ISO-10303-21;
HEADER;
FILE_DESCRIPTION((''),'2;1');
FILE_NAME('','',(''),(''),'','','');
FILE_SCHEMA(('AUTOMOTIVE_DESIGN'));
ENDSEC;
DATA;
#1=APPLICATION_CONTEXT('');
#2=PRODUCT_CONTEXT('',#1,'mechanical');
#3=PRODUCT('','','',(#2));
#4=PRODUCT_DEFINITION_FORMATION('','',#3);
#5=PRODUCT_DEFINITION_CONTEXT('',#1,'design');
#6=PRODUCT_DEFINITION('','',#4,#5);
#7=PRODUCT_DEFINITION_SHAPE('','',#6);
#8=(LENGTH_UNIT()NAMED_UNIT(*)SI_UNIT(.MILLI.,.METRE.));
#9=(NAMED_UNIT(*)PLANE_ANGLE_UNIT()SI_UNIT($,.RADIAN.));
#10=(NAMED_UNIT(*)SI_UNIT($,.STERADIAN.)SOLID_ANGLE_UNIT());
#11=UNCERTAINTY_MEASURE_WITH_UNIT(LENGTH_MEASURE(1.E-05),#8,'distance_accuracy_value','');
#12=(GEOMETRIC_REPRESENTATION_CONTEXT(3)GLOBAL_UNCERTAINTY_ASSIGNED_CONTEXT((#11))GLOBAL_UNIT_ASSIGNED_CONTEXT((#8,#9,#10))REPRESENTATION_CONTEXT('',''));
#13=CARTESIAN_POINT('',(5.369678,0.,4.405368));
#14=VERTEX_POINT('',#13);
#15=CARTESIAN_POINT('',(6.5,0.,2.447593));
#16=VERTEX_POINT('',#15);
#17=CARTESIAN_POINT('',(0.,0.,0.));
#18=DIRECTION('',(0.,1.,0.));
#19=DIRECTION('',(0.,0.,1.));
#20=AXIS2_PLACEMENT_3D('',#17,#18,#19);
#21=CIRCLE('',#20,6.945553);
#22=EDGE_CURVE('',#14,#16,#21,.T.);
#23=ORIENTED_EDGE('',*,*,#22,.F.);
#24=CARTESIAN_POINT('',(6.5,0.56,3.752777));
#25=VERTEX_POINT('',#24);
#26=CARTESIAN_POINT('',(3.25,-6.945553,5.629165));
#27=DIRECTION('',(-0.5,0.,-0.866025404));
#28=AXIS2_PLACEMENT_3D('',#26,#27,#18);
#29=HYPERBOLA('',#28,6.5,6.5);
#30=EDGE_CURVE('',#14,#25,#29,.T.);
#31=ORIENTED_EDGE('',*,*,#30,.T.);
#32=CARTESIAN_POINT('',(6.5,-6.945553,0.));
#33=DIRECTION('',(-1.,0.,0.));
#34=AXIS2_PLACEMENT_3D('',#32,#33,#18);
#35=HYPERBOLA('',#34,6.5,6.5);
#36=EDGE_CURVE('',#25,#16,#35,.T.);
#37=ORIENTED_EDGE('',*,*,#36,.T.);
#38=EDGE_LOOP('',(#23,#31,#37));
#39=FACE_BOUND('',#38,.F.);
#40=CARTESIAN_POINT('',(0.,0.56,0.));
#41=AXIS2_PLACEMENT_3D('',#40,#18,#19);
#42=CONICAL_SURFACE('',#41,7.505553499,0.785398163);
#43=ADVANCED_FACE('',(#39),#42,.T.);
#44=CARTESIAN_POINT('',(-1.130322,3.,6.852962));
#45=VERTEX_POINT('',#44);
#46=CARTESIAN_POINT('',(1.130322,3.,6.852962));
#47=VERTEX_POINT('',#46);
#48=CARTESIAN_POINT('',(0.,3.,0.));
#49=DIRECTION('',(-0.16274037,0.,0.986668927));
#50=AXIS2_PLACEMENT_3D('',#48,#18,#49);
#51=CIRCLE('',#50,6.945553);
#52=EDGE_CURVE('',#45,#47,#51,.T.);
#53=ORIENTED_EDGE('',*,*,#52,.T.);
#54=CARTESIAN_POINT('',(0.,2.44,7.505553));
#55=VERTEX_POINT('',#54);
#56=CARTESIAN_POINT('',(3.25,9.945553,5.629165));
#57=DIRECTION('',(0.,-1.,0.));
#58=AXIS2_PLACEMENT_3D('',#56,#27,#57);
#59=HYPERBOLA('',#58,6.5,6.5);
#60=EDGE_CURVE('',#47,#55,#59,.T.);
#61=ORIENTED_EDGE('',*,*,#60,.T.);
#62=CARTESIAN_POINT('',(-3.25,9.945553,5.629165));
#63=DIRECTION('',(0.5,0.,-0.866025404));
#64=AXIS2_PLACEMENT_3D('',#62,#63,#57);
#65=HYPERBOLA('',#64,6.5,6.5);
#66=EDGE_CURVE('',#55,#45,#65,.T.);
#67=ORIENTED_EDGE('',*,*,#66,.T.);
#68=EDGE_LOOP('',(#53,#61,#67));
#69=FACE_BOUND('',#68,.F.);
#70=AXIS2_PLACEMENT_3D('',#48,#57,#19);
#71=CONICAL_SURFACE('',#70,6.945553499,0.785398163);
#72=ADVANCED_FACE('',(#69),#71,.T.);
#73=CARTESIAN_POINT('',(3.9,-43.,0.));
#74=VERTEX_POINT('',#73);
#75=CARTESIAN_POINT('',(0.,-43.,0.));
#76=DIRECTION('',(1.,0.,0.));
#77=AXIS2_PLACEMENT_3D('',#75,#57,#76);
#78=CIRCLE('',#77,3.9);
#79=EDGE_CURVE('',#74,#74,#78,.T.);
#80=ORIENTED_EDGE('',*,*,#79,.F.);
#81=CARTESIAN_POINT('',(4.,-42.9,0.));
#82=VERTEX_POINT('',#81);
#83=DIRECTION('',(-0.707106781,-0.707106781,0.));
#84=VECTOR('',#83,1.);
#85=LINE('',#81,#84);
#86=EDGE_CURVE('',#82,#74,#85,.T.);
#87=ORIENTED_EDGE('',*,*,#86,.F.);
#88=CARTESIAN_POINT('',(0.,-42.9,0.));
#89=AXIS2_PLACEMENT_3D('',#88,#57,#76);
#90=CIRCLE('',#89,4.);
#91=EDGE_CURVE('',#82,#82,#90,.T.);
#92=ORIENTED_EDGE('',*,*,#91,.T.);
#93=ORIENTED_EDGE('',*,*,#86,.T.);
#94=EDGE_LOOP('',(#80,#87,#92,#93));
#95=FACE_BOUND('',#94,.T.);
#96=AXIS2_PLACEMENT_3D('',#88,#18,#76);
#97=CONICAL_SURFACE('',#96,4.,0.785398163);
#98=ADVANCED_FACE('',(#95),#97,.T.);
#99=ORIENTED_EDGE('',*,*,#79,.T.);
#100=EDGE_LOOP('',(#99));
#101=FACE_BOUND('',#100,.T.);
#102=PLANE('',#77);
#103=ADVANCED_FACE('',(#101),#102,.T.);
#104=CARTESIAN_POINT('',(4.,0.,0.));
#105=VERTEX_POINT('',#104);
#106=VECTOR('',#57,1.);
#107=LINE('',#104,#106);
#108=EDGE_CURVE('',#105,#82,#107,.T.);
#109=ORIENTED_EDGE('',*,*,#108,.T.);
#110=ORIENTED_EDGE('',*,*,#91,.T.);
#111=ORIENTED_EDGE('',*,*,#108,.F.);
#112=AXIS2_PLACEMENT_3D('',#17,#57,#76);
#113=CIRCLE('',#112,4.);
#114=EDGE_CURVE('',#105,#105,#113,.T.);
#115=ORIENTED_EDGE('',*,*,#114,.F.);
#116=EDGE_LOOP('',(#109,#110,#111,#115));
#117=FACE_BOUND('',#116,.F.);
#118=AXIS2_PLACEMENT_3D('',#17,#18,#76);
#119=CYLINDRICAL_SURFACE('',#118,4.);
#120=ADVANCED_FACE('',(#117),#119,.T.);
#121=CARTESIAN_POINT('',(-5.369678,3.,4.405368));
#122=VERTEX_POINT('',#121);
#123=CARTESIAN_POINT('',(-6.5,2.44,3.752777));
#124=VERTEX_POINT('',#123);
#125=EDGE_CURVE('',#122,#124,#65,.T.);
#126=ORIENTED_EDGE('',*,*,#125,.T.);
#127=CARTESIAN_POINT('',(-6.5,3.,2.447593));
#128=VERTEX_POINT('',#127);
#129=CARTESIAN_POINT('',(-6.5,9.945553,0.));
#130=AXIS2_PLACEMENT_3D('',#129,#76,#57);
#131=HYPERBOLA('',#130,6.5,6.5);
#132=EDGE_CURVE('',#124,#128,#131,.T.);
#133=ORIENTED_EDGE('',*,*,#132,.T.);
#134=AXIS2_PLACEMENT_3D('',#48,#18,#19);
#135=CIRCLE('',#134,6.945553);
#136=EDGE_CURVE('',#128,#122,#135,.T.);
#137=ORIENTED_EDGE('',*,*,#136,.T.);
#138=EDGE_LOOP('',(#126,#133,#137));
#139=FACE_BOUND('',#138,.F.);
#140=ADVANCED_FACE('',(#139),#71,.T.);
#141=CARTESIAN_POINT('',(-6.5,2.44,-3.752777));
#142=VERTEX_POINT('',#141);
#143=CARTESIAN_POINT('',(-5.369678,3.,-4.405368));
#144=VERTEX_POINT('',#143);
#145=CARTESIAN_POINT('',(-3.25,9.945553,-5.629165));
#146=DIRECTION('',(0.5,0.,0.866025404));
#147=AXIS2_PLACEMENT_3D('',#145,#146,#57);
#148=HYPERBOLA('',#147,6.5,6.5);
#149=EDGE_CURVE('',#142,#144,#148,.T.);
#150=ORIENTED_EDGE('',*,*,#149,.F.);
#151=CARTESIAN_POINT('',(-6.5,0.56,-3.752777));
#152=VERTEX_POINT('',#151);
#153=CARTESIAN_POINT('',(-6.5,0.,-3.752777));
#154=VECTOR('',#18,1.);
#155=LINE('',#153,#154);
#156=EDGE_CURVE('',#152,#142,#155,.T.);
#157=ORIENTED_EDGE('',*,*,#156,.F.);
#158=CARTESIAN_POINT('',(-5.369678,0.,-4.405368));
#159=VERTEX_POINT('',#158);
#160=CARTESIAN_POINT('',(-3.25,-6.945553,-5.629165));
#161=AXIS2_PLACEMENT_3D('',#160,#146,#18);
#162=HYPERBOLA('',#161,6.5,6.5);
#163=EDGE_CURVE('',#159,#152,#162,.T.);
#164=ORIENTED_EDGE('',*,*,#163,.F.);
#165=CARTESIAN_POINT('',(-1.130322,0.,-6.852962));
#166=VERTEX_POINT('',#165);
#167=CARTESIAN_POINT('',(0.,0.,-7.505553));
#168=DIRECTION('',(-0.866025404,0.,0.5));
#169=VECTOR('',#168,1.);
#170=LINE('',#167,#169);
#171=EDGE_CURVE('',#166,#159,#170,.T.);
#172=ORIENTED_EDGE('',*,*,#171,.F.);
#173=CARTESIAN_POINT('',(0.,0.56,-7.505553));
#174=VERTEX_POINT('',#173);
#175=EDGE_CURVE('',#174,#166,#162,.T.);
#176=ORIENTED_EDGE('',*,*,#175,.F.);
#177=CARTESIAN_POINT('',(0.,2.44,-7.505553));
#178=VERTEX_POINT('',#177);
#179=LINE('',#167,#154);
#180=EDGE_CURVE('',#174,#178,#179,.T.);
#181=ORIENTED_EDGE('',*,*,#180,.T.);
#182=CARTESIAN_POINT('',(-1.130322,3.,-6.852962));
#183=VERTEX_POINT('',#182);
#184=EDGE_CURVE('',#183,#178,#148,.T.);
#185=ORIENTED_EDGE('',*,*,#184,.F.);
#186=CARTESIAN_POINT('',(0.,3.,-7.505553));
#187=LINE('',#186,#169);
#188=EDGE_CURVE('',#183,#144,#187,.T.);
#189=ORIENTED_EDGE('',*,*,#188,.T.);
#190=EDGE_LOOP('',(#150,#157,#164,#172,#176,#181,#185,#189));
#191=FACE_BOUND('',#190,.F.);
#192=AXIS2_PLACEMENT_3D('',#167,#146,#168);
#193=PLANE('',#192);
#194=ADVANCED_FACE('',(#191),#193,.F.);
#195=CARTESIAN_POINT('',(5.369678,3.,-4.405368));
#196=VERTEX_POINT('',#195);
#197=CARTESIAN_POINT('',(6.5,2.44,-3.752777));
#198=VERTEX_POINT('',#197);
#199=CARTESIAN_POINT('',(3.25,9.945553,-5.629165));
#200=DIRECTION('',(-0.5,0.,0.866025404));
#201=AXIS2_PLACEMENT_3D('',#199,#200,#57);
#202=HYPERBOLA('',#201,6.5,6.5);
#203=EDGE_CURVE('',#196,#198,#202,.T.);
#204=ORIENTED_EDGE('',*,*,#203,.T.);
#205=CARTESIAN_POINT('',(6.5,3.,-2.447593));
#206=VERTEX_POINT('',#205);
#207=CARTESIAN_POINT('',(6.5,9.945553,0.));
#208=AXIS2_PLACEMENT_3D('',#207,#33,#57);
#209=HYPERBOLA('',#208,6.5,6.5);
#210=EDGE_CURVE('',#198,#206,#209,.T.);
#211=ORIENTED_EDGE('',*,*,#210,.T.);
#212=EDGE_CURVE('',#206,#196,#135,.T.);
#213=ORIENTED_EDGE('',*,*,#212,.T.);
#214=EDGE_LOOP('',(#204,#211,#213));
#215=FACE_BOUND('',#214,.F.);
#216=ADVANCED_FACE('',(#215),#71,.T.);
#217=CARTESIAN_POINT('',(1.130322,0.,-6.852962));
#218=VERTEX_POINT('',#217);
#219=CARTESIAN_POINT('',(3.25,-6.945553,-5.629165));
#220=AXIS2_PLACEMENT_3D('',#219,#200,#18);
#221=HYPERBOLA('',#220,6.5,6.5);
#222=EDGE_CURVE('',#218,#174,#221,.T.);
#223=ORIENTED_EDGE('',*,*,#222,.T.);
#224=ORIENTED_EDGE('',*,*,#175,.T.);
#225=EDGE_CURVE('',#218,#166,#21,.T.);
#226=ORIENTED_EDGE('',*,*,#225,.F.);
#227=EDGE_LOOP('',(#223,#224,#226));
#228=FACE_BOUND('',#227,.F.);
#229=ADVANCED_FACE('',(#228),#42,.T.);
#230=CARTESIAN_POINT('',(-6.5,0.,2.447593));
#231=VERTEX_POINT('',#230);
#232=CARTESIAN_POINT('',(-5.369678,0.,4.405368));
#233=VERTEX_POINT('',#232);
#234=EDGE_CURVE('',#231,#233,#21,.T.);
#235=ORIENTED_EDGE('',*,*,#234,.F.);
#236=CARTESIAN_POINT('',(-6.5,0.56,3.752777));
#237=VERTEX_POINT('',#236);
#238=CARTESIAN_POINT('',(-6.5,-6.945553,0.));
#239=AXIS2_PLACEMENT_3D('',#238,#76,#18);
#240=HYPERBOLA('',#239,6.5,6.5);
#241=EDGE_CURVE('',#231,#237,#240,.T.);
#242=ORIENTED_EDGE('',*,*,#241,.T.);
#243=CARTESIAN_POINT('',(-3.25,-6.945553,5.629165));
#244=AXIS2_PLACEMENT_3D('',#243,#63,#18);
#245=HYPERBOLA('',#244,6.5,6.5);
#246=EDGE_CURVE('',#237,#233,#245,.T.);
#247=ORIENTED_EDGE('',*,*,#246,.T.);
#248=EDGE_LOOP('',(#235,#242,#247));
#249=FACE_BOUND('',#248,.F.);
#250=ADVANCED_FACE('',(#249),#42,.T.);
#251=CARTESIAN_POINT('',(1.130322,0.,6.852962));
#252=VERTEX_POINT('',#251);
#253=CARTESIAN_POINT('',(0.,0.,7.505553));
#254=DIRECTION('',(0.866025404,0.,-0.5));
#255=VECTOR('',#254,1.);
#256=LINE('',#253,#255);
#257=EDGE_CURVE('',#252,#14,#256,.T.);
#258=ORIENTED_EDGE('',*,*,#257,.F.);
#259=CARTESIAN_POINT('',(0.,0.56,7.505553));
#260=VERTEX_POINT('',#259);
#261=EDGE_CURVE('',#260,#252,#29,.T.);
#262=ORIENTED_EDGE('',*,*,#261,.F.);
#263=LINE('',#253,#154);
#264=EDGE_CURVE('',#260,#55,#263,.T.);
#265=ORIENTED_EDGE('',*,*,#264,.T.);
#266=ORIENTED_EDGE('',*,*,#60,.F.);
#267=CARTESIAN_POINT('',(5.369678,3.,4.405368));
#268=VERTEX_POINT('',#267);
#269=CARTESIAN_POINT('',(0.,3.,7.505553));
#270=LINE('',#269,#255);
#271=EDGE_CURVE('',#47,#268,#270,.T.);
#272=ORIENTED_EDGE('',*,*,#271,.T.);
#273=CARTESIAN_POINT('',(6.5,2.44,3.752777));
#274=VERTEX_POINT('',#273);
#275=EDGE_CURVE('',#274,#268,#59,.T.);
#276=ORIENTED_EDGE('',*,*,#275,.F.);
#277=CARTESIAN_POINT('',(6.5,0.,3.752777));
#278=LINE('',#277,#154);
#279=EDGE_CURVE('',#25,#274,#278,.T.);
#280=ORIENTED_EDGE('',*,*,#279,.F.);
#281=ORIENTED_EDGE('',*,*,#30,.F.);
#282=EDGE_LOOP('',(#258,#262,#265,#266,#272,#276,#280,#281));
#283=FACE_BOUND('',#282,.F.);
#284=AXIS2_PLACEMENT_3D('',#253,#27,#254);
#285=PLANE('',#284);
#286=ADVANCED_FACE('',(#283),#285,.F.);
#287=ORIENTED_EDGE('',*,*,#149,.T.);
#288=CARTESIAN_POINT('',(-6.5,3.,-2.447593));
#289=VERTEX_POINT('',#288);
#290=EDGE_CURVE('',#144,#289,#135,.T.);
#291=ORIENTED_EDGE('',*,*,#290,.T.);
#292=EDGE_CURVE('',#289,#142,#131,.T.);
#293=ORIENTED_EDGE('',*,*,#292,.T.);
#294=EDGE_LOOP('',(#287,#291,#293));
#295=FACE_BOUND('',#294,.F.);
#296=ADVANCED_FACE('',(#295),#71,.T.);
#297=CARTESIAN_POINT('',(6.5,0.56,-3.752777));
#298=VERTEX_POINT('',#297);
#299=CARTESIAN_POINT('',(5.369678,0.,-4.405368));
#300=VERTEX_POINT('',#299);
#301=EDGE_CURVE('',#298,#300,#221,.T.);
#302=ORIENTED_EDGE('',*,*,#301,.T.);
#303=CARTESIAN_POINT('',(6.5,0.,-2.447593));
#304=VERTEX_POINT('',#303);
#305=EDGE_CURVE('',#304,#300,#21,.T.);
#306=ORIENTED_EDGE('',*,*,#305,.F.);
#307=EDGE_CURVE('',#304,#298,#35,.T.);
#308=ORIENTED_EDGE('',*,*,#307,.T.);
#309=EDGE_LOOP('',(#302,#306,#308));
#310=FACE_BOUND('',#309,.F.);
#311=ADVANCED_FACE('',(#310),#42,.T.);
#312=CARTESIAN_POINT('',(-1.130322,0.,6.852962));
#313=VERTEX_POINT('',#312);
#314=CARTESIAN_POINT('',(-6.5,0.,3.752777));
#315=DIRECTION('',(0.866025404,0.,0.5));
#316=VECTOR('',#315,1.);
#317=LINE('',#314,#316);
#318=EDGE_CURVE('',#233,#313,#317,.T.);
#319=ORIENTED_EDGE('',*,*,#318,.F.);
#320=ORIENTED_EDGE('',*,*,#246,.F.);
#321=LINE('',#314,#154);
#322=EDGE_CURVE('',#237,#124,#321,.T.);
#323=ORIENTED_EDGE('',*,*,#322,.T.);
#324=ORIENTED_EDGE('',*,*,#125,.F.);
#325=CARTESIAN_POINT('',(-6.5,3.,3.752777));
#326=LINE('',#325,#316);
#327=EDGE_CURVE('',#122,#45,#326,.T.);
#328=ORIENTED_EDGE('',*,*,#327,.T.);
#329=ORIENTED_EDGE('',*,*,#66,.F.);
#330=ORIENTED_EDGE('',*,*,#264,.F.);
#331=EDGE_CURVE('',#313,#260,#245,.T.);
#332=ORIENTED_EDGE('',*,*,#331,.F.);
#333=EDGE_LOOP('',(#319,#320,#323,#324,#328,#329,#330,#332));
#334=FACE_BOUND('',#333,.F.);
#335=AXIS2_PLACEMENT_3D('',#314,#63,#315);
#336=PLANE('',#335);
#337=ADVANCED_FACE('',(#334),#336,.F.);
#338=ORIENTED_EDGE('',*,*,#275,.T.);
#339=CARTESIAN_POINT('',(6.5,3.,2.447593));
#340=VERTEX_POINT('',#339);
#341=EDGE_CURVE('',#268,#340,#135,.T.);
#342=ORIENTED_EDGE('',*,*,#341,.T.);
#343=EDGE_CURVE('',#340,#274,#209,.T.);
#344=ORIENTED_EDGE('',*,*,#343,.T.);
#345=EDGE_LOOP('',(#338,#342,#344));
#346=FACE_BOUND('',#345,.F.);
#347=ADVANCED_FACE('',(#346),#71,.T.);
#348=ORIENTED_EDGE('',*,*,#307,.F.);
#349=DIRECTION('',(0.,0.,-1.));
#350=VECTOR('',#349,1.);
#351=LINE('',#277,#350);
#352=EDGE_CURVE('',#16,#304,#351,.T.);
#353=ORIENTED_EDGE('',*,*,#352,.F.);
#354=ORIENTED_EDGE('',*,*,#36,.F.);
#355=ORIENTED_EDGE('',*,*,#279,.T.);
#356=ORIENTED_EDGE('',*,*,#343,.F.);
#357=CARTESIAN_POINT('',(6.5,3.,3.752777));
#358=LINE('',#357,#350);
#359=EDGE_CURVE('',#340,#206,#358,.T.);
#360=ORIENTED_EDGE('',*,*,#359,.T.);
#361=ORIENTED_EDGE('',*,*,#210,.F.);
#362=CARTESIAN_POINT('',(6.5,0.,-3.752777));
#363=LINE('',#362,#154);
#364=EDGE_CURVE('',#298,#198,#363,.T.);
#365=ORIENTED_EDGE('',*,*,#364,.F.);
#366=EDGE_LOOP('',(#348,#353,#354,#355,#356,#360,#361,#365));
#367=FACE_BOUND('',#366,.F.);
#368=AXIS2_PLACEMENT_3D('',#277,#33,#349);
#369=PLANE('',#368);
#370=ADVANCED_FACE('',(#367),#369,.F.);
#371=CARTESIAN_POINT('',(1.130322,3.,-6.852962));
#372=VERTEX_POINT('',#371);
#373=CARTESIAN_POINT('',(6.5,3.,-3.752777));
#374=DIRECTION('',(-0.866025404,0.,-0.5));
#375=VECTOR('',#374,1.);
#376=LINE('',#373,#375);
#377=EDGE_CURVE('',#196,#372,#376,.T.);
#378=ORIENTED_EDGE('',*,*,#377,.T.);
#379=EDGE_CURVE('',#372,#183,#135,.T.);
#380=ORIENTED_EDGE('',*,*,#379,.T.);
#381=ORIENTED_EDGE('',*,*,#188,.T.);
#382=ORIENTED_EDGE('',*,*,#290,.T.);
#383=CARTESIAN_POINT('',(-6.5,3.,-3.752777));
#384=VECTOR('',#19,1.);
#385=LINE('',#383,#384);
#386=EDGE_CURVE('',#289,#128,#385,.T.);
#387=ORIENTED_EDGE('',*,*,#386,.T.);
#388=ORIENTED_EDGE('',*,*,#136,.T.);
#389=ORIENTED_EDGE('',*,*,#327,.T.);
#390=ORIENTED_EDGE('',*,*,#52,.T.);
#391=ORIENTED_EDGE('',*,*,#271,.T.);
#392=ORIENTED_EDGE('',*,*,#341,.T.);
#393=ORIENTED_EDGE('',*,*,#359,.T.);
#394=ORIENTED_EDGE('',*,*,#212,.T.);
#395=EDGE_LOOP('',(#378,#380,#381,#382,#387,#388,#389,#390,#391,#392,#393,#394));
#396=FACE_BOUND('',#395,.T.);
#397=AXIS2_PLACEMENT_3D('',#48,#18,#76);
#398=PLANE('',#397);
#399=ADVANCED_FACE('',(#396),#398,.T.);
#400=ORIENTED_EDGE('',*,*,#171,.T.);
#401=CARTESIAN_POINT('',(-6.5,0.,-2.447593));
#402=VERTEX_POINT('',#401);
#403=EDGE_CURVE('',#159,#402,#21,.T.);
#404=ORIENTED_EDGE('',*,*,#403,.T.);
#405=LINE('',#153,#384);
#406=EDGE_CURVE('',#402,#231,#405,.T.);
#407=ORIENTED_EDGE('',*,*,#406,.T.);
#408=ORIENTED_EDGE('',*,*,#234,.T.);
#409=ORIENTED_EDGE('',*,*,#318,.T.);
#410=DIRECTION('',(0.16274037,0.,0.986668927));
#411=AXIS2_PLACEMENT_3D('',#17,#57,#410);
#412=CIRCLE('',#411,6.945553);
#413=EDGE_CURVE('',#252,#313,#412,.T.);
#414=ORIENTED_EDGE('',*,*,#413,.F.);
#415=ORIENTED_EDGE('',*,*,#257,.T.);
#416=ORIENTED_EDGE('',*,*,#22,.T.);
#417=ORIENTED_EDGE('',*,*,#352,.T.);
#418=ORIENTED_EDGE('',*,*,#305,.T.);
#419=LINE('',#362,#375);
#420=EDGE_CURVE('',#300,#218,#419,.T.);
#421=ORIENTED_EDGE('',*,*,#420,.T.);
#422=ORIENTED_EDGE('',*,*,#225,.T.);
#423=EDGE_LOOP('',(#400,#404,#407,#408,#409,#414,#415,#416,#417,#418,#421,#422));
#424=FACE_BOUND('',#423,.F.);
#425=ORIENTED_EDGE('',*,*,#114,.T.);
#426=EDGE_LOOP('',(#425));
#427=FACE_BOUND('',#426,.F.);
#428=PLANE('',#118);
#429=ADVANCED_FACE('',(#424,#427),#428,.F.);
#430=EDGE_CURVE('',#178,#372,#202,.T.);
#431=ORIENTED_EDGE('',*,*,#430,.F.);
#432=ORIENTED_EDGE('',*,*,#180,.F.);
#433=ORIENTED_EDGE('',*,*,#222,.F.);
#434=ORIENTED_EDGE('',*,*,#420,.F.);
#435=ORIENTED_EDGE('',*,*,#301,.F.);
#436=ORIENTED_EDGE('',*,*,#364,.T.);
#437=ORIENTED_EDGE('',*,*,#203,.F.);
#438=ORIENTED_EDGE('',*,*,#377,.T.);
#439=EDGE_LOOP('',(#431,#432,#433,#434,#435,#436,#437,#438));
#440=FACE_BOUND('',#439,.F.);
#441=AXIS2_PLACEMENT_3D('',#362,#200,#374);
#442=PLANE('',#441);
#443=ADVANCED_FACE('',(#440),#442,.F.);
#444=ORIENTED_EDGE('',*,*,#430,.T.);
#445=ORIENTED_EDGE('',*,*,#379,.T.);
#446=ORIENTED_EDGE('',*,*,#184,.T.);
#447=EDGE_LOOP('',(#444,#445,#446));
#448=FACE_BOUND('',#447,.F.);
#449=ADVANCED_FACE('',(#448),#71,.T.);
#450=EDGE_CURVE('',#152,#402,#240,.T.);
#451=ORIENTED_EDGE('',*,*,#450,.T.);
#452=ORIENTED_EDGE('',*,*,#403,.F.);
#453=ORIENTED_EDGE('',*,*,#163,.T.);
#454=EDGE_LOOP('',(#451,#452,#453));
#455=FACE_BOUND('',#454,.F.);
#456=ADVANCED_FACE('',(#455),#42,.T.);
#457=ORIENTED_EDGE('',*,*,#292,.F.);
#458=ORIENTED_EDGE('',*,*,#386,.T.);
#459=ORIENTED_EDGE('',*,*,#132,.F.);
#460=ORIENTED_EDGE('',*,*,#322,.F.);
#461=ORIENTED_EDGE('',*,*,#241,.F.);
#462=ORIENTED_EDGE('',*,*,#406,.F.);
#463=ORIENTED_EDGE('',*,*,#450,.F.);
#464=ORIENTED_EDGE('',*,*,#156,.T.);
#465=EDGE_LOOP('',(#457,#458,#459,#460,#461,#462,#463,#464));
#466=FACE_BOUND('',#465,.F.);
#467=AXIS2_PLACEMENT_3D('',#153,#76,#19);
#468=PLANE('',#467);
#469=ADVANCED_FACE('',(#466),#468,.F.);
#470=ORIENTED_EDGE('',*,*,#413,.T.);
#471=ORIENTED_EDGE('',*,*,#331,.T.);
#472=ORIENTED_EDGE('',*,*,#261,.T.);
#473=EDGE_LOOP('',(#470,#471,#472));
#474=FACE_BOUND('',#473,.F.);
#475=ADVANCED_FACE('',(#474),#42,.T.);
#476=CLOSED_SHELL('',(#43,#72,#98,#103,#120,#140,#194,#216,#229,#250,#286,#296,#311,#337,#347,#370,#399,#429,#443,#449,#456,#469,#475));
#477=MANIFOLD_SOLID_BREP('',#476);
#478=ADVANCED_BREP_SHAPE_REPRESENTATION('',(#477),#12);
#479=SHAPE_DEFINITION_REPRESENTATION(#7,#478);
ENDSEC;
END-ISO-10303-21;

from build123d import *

# Parameters (mm, degrees)
EXTRUDE_1_DEPTH = 3
SKETCH_2_R      = 4
EXTRUDE_2_DEPTH = 43
CHAMFER_1_SIZE  = 0.1


with BuildPart() as part:
    # 草图1 → 凸台-拉伸1 (new body)
    with BuildSketch(Plane(origin=(0, 0, 0), x_dir=(1, 0, 0), z_dir=(0, 1, 0))):
        Polygon((0, 7.505553499), (-6.5, 3.75277675), (-6.5, -3.75277675), (0, -7.505553499), (6.5, -3.75277675), (6.5, 3.75277675), align=None)
    extrude(amount=EXTRUDE_1_DEPTH)

    # 草图2 → 凸台-拉伸2 (add)
    with BuildSketch(Plane.XZ):
        Circle(SKETCH_2_R)
    extrude(amount=EXTRUDE_2_DEPTH)

    # 倒角1
    chamfer_1_edges = [part.edges().sort_by_distance(p)[0] for p in [
        (-4, -43, 0),
    ]]
    chamfer(chamfer_1_edges, length=CHAMFER_1_SIZE)

    # 草图5 → 切除-旋转2 (revolve, cut)
    with BuildSketch(Plane(origin=(0, 0, 0), x_dir=(0, 0, -1), z_dir=(1, 0, 0))):
        Polygon((-6.945553499, 3), (-7.505553499, 2.44), (-7.505553499, 3), align=None)
        Polygon((-7.505553499, 0), (-7.505553499, 0.56), (-6.945553499, 0), align=None)
    revolve(axis=Axis((0, 3, 0), (0, 1, 0)), mode=Mode.SUBTRACT)


solid = part.part
